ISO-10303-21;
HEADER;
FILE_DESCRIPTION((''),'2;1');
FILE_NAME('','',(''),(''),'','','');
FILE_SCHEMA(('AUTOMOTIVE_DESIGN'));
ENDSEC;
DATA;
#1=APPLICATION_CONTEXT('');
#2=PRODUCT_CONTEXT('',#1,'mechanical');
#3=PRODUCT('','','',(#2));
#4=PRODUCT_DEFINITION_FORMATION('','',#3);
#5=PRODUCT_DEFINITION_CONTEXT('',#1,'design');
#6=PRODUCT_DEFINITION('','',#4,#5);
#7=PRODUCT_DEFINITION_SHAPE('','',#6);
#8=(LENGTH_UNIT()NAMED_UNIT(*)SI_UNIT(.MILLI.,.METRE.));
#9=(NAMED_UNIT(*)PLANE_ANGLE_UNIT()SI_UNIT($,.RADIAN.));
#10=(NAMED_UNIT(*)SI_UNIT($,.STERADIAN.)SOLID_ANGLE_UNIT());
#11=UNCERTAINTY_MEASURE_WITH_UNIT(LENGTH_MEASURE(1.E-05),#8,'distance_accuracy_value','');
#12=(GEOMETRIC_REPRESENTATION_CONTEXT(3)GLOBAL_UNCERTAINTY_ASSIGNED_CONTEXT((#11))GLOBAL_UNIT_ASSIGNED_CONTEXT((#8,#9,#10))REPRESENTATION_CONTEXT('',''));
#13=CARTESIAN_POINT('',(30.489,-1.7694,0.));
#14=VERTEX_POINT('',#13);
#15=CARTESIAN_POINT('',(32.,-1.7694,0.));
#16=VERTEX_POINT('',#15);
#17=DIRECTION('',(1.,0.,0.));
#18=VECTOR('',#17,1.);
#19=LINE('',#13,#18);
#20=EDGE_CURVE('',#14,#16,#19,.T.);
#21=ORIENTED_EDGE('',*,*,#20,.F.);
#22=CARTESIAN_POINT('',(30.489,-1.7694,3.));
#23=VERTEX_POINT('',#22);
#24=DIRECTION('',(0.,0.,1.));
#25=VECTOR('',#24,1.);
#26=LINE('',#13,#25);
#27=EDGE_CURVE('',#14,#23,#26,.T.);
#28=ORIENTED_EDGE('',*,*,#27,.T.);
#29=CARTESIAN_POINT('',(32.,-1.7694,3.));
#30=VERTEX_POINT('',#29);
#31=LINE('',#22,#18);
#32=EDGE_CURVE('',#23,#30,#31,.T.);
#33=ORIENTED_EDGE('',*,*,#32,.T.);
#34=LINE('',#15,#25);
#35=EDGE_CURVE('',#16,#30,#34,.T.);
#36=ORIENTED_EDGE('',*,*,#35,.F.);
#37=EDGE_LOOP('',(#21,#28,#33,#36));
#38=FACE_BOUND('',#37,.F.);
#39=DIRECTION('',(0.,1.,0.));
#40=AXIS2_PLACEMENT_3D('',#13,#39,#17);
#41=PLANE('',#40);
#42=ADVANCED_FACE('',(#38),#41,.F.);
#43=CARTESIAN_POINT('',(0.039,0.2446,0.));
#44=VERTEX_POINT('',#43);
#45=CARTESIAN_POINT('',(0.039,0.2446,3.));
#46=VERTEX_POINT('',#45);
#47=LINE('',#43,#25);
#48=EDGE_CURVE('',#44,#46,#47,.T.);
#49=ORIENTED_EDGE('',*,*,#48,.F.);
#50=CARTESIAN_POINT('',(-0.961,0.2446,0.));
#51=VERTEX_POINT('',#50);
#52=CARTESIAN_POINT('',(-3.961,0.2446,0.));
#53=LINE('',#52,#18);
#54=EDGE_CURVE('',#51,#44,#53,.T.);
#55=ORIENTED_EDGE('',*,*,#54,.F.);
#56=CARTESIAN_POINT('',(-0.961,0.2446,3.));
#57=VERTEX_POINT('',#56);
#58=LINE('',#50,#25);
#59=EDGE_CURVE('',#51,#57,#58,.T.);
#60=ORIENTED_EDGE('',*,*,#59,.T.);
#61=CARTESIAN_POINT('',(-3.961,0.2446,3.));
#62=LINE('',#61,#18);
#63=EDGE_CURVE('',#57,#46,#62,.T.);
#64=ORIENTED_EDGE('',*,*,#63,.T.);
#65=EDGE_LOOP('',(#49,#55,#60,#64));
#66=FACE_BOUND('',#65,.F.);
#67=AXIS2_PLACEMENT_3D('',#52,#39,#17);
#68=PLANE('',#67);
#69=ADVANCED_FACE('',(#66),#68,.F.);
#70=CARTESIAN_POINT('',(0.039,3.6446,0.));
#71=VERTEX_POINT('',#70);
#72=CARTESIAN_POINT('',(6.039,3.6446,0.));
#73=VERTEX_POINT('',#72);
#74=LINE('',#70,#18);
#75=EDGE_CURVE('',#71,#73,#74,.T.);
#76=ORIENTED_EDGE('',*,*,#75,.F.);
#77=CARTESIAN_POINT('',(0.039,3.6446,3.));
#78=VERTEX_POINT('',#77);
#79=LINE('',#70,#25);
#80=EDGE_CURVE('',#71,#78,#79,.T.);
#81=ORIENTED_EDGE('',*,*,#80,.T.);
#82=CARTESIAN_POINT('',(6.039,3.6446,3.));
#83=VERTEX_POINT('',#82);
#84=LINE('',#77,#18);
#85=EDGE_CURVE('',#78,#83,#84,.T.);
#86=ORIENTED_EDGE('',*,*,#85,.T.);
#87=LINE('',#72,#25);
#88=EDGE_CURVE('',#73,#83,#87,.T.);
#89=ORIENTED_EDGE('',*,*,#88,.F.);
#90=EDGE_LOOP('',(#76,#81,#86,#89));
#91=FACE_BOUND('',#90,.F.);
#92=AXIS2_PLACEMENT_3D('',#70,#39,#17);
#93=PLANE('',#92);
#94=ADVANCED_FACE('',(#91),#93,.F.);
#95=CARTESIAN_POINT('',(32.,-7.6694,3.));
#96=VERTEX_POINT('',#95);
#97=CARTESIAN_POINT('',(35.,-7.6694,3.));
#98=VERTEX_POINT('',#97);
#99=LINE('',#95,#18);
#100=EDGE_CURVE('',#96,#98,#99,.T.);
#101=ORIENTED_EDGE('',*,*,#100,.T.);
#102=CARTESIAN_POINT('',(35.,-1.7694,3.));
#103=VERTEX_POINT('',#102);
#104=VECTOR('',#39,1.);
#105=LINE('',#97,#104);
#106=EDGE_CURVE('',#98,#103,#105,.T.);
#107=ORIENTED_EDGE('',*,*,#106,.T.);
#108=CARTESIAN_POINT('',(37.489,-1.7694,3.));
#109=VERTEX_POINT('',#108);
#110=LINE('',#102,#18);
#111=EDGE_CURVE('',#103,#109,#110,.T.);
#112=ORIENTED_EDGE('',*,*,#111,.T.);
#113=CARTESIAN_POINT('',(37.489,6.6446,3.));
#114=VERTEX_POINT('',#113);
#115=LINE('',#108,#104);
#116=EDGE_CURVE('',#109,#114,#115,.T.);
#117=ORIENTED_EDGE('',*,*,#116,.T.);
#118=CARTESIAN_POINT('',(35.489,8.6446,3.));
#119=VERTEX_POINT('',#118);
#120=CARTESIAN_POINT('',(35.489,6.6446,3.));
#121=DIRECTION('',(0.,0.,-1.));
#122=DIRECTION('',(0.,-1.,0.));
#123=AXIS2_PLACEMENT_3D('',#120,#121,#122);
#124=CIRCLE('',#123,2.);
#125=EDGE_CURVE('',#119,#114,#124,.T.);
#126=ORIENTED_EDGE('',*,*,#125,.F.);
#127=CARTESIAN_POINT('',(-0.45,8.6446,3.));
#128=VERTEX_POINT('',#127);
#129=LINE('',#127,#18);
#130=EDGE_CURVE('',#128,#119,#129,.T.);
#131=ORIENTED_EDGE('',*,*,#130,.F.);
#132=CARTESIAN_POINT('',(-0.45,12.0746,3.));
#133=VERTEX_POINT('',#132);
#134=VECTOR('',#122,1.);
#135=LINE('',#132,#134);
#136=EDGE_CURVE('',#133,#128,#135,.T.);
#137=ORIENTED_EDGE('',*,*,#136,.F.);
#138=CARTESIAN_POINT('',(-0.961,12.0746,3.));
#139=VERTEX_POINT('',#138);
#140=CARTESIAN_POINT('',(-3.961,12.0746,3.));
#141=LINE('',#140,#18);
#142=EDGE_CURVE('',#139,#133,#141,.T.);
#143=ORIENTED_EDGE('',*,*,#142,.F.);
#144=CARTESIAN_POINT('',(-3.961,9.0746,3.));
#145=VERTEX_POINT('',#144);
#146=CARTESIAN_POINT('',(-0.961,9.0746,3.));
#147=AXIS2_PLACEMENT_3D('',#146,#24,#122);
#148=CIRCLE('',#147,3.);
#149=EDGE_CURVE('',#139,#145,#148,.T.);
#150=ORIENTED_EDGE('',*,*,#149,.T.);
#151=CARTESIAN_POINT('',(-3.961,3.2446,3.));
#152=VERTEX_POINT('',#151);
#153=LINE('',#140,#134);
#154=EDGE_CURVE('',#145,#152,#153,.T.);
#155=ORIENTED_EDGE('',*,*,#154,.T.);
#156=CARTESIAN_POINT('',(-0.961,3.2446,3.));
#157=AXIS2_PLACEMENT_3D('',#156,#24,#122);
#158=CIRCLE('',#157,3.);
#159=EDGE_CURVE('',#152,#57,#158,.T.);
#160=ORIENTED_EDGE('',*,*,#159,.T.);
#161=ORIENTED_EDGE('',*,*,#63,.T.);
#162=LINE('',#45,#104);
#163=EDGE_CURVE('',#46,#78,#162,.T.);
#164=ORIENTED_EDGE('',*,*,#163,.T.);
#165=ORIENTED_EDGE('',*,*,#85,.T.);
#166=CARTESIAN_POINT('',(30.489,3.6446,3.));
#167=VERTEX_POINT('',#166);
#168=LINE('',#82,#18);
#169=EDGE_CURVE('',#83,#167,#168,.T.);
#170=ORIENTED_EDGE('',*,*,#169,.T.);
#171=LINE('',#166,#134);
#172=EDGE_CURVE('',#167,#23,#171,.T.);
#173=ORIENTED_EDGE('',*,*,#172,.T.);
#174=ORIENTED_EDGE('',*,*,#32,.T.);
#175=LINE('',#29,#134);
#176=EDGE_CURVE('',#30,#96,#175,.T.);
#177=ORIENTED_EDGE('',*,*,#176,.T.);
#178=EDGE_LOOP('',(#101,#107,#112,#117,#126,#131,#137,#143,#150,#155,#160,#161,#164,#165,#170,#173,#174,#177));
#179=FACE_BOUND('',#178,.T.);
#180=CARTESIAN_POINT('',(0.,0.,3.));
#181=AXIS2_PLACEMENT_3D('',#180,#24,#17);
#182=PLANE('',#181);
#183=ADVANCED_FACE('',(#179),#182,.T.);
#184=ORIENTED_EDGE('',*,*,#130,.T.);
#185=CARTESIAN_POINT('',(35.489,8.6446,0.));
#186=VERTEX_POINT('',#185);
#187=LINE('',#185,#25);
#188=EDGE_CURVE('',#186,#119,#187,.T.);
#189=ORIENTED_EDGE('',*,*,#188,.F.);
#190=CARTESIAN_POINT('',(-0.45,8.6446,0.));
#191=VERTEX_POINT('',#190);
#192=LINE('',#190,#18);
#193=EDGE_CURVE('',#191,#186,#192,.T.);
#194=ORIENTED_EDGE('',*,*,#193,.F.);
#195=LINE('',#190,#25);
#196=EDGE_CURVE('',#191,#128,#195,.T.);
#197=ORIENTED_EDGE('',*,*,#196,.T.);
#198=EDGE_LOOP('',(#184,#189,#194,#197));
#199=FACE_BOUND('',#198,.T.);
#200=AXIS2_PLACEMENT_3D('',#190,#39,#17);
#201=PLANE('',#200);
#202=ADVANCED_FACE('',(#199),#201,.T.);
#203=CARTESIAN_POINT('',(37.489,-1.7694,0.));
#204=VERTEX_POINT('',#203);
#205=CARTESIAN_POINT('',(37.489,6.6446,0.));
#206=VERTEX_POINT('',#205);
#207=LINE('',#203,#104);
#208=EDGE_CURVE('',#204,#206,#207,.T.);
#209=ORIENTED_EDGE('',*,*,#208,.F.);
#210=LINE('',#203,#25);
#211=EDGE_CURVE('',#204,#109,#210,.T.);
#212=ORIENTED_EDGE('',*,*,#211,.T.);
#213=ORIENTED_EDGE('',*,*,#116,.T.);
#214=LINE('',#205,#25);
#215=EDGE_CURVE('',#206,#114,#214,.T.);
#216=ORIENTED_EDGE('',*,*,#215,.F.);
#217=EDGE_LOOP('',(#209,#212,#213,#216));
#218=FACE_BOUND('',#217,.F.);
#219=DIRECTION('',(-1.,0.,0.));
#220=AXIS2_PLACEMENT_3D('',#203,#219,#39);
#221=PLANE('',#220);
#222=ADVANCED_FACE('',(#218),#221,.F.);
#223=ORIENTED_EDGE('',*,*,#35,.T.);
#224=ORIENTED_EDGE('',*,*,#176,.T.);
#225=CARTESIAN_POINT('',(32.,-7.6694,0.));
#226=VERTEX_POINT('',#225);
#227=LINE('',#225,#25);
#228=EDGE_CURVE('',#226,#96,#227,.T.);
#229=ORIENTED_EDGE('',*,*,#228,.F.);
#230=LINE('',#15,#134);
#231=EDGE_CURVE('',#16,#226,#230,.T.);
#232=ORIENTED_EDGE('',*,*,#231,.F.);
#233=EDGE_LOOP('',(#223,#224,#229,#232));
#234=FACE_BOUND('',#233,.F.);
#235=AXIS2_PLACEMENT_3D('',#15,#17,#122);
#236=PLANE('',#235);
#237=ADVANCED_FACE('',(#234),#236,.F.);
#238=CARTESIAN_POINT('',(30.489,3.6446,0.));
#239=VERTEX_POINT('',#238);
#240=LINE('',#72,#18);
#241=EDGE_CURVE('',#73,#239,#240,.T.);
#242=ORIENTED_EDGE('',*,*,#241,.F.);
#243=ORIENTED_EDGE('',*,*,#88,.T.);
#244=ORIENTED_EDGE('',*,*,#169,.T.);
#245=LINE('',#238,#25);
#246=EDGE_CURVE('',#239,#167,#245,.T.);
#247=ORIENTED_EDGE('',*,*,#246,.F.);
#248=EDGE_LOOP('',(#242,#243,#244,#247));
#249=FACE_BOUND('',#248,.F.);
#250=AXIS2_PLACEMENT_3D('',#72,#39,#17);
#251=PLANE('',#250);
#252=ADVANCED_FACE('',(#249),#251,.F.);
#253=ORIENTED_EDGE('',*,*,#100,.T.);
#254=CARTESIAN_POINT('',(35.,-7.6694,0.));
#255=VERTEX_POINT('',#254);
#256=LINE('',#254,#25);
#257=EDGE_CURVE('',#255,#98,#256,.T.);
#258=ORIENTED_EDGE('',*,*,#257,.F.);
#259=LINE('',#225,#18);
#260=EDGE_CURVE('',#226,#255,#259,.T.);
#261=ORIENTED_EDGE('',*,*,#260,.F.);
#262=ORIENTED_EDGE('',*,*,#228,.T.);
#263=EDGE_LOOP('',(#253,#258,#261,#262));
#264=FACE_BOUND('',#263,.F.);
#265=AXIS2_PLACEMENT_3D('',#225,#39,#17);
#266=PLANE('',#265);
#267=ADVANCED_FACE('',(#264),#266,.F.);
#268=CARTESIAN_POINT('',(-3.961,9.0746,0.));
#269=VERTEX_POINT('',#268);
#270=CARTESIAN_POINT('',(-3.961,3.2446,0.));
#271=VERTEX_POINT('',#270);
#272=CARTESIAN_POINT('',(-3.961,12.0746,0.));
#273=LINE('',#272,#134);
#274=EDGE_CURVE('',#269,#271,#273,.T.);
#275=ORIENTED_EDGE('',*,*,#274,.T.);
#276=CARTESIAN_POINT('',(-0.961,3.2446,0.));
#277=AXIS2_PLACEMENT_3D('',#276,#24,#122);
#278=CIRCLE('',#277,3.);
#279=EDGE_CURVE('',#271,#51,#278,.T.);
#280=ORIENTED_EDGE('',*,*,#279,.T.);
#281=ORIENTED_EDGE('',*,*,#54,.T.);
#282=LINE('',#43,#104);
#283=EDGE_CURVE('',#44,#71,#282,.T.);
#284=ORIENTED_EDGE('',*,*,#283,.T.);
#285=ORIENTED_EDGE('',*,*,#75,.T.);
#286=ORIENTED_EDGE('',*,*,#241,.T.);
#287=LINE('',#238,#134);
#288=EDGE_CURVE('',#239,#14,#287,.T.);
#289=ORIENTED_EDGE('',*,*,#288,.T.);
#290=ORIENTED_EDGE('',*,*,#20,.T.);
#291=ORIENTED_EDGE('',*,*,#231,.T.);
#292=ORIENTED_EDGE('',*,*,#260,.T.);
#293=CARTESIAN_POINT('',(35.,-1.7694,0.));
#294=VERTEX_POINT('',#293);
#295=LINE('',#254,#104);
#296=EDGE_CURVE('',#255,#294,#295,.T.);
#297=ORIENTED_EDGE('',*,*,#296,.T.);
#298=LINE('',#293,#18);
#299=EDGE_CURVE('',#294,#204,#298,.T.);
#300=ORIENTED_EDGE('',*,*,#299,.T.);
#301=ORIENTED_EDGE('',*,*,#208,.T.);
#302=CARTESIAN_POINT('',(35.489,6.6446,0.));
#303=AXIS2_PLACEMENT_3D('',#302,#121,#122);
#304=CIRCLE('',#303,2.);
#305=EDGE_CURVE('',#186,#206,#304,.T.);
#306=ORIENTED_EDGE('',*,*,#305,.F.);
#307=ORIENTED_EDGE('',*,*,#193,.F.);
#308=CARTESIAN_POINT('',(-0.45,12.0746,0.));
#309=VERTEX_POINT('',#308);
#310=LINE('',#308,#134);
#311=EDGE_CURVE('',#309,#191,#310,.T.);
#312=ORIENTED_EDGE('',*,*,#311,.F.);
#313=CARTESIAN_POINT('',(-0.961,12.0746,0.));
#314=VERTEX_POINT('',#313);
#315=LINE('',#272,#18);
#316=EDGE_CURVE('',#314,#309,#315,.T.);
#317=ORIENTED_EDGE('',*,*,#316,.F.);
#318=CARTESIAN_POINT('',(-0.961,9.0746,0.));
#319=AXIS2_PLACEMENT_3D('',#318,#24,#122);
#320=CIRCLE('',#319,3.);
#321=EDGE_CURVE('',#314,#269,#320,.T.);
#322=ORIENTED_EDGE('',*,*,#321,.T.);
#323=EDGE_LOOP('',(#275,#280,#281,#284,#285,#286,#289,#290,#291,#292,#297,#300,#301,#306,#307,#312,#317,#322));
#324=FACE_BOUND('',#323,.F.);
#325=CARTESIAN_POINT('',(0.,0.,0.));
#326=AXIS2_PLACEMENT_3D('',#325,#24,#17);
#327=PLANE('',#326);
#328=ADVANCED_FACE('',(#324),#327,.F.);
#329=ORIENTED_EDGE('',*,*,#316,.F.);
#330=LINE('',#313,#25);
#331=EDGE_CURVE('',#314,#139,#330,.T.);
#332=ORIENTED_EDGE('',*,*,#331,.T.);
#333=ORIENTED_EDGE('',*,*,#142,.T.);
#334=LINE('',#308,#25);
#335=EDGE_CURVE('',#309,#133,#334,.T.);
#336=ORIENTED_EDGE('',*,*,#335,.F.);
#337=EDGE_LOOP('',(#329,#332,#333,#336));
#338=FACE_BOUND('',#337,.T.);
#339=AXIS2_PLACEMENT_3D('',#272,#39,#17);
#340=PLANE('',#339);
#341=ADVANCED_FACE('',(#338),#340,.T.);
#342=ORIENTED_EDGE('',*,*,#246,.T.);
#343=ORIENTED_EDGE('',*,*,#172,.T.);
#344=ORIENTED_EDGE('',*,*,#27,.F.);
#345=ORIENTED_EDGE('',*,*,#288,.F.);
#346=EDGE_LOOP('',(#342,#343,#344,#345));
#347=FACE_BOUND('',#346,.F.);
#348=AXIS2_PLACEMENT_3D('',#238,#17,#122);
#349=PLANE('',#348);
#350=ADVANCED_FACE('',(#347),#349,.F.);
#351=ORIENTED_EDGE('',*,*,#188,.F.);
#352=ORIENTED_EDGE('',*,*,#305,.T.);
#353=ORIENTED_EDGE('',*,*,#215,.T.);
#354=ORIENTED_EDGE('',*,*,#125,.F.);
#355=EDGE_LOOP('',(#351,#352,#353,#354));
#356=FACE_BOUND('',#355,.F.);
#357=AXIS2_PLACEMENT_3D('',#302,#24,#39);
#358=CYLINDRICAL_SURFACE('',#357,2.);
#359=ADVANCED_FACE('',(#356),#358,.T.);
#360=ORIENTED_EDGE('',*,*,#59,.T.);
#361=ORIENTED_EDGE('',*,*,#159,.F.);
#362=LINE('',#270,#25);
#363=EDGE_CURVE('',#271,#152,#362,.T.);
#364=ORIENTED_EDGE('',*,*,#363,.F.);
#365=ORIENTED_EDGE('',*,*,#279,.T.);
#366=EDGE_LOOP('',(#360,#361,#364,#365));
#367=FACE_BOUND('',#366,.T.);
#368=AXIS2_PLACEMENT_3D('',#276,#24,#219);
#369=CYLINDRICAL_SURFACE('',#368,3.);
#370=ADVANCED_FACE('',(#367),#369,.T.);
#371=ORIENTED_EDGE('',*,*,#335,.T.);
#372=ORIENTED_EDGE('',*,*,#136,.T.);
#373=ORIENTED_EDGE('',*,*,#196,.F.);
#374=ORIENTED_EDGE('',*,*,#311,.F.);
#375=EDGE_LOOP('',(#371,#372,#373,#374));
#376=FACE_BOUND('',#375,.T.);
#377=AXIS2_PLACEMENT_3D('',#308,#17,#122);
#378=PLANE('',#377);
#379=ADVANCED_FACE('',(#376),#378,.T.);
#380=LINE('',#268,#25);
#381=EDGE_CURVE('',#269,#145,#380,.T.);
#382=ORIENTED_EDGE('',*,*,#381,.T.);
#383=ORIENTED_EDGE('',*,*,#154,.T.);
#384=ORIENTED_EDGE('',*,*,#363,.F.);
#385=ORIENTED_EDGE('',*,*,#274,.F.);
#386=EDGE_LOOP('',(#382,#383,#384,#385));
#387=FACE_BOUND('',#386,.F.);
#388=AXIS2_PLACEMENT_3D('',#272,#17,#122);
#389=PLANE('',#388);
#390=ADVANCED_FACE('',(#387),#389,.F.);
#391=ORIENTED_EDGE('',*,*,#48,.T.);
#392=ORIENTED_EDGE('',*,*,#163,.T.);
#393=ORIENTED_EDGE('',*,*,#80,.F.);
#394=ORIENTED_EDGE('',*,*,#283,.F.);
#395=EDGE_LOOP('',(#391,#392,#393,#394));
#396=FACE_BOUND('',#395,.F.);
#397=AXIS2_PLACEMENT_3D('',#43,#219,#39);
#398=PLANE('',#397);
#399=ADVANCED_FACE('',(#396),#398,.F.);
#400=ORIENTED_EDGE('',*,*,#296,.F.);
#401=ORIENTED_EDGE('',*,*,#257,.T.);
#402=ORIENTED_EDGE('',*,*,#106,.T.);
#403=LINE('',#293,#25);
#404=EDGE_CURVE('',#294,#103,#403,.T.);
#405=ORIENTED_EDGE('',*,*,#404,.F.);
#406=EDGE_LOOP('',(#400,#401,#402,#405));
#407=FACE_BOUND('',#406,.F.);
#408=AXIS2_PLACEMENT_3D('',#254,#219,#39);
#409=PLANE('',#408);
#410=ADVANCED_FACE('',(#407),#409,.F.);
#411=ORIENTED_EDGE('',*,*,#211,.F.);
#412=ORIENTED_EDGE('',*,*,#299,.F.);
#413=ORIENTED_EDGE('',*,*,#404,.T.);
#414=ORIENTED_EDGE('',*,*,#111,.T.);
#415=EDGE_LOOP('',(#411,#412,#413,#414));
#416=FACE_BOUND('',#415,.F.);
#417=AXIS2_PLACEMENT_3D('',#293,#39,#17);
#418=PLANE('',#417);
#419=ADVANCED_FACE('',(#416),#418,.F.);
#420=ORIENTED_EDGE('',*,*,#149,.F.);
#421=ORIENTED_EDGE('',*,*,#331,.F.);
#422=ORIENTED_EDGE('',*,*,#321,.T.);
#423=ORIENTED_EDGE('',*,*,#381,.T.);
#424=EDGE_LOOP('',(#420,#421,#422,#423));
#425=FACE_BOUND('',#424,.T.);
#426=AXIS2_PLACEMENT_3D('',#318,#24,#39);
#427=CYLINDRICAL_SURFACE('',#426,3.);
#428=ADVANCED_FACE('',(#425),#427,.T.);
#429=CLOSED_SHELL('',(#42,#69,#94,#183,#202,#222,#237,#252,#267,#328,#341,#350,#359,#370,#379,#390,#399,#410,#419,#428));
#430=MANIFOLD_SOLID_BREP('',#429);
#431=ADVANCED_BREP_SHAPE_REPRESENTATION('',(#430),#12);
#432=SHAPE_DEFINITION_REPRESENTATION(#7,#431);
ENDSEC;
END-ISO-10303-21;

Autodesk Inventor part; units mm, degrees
ref_plane "YZ Plane" through (0, 0, 0) normal (1, 0, 0) x (0, 1, 0)
ref_plane "XZ Plane" through (0, 0, 0) normal (0, 1, 0) x (-1, 0, 0)
ref_plane "XY Plane" through (0, 0, 0) normal (0, 0, 1) x (1, 0, 0)
sketch "Sketch1" plane through (0, 0, 0) normal (0, 0, 1) x (1, 0, 0)
  line L0 (0.039, 0.2446) -> (0.039, 3.6446)
  line L1 (-3.961, 12.0746) -> (-3.961, 0.2446)
  line L2 (-3.961, 0.2446) -> (0.039, 0.2446)
  line L3 (6.039, 3.6446) -> (30.489, 3.6446)
  line L4 (-3.961, 12.0746) -> (-0.45, 12.0746)
  line L5 (-0.45, 12.0746) -> (-0.45, 8.6446)
  line L6 (0.039, 3.6446) -> (6.039, 3.6446)
  line L7 (-0.45, 8.6446) -> (37.489, 8.6446)
  line L8 (30.489, 3.6446) -> (30.489, -1.7694)
  line L9 (37.489, -1.7694) -> (37.489, 8.6446)
  line L10 (30.489, -1.7694) -> (32, -1.7694)
  line L11 (32, -1.7694) -> (32, -7.6694)
  line L12 (32, -7.6694) -> (35, -7.6694)
  line L13 (35, -7.6694) -> (35, -1.7694)
  line L14 (35, -1.7694) -> (37.489, -1.7694)
  dimension "d0" = 6
  dimension "d10" = 4
  dimension "d22" = 3.4
  dimension "d23" = 3.43
  dimension "d24" = 5
  dimension "d25" = 24.45
  dimension "d26" = 7
  dimension "d31" = 5.9
  dimension "d32" = 3
  dimension "d33" = 1.511
  dimension "d36" = 5.414
extrude "Extrusion1" add sketch "Sketch1" along normal blind 3
fillet "Fillet5" radius 2 1 edges at (37.489, 8.6446, 1.5)
fillet "Fillet6" radius 3 2 edges at (-3.961, 12.0746, 1.5) (-3.961, 0.2446, 1.5)
properties part number "Gripper V 8.0 servo bracket side left 3mm"
